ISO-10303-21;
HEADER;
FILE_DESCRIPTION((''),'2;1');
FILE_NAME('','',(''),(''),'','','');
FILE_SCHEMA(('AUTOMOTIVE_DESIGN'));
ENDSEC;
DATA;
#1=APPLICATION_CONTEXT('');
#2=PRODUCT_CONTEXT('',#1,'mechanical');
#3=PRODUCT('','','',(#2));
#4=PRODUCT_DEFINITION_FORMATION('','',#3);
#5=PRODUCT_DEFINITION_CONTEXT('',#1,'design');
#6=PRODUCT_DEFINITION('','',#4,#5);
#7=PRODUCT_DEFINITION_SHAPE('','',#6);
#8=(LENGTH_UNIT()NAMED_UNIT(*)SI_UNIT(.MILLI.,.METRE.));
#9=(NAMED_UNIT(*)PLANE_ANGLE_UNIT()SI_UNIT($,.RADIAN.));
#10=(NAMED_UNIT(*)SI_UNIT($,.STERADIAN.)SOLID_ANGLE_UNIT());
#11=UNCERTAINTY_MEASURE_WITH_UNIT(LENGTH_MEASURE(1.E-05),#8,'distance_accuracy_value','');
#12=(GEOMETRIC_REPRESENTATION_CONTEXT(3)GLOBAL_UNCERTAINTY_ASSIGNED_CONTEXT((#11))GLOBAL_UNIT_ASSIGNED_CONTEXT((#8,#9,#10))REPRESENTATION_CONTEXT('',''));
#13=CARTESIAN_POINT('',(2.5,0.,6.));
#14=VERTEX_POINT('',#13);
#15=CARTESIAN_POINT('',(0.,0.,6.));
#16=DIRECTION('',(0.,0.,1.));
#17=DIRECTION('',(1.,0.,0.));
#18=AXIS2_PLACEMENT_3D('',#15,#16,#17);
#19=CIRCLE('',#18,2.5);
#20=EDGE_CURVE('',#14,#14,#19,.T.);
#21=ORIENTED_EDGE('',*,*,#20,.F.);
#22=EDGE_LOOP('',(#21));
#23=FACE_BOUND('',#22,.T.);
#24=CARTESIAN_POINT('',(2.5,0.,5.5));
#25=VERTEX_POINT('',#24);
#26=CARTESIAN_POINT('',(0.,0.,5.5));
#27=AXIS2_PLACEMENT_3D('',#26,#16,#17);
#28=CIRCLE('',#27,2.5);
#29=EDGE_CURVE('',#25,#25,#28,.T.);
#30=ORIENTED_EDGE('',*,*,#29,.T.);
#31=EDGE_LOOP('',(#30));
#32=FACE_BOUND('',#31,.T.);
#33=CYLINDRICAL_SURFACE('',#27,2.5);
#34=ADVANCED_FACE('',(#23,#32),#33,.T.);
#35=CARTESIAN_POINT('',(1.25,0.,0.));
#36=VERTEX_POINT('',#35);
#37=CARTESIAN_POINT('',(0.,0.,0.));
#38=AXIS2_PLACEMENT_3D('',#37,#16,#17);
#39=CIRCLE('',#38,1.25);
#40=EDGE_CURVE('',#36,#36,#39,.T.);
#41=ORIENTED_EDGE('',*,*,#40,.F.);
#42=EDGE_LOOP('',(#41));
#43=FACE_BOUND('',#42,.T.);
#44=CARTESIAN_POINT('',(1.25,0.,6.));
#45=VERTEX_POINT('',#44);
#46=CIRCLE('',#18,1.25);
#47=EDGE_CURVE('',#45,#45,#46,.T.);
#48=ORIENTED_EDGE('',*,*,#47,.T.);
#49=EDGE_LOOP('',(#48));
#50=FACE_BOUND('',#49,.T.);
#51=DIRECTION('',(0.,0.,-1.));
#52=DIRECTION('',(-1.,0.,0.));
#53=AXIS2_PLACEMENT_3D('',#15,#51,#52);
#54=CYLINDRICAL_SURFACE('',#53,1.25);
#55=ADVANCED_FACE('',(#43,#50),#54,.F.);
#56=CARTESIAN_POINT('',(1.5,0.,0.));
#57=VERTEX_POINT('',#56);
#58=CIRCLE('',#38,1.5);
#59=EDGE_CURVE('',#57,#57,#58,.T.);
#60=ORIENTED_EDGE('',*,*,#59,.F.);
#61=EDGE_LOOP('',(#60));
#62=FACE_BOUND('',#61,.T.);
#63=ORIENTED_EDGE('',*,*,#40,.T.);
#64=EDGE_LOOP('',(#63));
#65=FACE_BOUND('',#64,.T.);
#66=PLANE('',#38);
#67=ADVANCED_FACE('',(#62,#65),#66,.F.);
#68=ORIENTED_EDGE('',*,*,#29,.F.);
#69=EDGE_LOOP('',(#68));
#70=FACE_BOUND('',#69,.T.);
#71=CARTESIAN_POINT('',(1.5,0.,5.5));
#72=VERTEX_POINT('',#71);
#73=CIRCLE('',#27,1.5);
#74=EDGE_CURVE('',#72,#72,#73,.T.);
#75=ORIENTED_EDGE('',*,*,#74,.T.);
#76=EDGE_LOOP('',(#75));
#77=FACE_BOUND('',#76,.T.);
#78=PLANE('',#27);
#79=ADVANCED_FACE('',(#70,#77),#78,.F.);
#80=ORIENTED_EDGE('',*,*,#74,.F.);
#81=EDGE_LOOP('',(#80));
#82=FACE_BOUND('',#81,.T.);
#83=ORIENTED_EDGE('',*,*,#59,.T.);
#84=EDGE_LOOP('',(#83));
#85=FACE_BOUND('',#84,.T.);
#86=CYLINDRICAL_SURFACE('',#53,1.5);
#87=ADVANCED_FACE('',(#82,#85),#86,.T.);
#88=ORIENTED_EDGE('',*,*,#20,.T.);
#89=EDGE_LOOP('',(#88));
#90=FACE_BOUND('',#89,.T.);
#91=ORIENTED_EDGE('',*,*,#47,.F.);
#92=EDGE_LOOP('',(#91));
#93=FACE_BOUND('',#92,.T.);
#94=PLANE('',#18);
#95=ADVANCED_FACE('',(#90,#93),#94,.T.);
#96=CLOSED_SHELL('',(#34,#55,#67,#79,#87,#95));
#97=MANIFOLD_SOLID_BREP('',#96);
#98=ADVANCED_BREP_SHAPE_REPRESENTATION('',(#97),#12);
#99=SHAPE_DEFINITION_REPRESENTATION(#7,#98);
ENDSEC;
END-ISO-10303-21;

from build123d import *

# Parameters (mm, degrees)
SKETCH1_R           = 1.5
SKETCH1_R_2         = 1.25
BOSS_EXTRUDE1_DEPTH = 6
SKETCH2_R           = 2.5
SKETCH2_R_2         = 1.25
BOSS_EXTRUDE2_DEPTH = 0.5


with BuildPart() as part:
    # Sketch1 → Boss-Extrude1 (new body)
    with BuildSketch(Plane.XY):
        Circle(SKETCH1_R)
        Circle(SKETCH1_R_2, mode=Mode.SUBTRACT)
    extrude(amount=BOSS_EXTRUDE1_DEPTH)

    # Sketch2 → Boss-Extrude2 (add)
    with BuildSketch(Plane.XY.offset(6)):
        Circle(SKETCH2_R)
        Circle(SKETCH2_R_2, mode=Mode.SUBTRACT)
    extrude(amount=-BOSS_EXTRUDE2_DEPTH)


solid = part.part
